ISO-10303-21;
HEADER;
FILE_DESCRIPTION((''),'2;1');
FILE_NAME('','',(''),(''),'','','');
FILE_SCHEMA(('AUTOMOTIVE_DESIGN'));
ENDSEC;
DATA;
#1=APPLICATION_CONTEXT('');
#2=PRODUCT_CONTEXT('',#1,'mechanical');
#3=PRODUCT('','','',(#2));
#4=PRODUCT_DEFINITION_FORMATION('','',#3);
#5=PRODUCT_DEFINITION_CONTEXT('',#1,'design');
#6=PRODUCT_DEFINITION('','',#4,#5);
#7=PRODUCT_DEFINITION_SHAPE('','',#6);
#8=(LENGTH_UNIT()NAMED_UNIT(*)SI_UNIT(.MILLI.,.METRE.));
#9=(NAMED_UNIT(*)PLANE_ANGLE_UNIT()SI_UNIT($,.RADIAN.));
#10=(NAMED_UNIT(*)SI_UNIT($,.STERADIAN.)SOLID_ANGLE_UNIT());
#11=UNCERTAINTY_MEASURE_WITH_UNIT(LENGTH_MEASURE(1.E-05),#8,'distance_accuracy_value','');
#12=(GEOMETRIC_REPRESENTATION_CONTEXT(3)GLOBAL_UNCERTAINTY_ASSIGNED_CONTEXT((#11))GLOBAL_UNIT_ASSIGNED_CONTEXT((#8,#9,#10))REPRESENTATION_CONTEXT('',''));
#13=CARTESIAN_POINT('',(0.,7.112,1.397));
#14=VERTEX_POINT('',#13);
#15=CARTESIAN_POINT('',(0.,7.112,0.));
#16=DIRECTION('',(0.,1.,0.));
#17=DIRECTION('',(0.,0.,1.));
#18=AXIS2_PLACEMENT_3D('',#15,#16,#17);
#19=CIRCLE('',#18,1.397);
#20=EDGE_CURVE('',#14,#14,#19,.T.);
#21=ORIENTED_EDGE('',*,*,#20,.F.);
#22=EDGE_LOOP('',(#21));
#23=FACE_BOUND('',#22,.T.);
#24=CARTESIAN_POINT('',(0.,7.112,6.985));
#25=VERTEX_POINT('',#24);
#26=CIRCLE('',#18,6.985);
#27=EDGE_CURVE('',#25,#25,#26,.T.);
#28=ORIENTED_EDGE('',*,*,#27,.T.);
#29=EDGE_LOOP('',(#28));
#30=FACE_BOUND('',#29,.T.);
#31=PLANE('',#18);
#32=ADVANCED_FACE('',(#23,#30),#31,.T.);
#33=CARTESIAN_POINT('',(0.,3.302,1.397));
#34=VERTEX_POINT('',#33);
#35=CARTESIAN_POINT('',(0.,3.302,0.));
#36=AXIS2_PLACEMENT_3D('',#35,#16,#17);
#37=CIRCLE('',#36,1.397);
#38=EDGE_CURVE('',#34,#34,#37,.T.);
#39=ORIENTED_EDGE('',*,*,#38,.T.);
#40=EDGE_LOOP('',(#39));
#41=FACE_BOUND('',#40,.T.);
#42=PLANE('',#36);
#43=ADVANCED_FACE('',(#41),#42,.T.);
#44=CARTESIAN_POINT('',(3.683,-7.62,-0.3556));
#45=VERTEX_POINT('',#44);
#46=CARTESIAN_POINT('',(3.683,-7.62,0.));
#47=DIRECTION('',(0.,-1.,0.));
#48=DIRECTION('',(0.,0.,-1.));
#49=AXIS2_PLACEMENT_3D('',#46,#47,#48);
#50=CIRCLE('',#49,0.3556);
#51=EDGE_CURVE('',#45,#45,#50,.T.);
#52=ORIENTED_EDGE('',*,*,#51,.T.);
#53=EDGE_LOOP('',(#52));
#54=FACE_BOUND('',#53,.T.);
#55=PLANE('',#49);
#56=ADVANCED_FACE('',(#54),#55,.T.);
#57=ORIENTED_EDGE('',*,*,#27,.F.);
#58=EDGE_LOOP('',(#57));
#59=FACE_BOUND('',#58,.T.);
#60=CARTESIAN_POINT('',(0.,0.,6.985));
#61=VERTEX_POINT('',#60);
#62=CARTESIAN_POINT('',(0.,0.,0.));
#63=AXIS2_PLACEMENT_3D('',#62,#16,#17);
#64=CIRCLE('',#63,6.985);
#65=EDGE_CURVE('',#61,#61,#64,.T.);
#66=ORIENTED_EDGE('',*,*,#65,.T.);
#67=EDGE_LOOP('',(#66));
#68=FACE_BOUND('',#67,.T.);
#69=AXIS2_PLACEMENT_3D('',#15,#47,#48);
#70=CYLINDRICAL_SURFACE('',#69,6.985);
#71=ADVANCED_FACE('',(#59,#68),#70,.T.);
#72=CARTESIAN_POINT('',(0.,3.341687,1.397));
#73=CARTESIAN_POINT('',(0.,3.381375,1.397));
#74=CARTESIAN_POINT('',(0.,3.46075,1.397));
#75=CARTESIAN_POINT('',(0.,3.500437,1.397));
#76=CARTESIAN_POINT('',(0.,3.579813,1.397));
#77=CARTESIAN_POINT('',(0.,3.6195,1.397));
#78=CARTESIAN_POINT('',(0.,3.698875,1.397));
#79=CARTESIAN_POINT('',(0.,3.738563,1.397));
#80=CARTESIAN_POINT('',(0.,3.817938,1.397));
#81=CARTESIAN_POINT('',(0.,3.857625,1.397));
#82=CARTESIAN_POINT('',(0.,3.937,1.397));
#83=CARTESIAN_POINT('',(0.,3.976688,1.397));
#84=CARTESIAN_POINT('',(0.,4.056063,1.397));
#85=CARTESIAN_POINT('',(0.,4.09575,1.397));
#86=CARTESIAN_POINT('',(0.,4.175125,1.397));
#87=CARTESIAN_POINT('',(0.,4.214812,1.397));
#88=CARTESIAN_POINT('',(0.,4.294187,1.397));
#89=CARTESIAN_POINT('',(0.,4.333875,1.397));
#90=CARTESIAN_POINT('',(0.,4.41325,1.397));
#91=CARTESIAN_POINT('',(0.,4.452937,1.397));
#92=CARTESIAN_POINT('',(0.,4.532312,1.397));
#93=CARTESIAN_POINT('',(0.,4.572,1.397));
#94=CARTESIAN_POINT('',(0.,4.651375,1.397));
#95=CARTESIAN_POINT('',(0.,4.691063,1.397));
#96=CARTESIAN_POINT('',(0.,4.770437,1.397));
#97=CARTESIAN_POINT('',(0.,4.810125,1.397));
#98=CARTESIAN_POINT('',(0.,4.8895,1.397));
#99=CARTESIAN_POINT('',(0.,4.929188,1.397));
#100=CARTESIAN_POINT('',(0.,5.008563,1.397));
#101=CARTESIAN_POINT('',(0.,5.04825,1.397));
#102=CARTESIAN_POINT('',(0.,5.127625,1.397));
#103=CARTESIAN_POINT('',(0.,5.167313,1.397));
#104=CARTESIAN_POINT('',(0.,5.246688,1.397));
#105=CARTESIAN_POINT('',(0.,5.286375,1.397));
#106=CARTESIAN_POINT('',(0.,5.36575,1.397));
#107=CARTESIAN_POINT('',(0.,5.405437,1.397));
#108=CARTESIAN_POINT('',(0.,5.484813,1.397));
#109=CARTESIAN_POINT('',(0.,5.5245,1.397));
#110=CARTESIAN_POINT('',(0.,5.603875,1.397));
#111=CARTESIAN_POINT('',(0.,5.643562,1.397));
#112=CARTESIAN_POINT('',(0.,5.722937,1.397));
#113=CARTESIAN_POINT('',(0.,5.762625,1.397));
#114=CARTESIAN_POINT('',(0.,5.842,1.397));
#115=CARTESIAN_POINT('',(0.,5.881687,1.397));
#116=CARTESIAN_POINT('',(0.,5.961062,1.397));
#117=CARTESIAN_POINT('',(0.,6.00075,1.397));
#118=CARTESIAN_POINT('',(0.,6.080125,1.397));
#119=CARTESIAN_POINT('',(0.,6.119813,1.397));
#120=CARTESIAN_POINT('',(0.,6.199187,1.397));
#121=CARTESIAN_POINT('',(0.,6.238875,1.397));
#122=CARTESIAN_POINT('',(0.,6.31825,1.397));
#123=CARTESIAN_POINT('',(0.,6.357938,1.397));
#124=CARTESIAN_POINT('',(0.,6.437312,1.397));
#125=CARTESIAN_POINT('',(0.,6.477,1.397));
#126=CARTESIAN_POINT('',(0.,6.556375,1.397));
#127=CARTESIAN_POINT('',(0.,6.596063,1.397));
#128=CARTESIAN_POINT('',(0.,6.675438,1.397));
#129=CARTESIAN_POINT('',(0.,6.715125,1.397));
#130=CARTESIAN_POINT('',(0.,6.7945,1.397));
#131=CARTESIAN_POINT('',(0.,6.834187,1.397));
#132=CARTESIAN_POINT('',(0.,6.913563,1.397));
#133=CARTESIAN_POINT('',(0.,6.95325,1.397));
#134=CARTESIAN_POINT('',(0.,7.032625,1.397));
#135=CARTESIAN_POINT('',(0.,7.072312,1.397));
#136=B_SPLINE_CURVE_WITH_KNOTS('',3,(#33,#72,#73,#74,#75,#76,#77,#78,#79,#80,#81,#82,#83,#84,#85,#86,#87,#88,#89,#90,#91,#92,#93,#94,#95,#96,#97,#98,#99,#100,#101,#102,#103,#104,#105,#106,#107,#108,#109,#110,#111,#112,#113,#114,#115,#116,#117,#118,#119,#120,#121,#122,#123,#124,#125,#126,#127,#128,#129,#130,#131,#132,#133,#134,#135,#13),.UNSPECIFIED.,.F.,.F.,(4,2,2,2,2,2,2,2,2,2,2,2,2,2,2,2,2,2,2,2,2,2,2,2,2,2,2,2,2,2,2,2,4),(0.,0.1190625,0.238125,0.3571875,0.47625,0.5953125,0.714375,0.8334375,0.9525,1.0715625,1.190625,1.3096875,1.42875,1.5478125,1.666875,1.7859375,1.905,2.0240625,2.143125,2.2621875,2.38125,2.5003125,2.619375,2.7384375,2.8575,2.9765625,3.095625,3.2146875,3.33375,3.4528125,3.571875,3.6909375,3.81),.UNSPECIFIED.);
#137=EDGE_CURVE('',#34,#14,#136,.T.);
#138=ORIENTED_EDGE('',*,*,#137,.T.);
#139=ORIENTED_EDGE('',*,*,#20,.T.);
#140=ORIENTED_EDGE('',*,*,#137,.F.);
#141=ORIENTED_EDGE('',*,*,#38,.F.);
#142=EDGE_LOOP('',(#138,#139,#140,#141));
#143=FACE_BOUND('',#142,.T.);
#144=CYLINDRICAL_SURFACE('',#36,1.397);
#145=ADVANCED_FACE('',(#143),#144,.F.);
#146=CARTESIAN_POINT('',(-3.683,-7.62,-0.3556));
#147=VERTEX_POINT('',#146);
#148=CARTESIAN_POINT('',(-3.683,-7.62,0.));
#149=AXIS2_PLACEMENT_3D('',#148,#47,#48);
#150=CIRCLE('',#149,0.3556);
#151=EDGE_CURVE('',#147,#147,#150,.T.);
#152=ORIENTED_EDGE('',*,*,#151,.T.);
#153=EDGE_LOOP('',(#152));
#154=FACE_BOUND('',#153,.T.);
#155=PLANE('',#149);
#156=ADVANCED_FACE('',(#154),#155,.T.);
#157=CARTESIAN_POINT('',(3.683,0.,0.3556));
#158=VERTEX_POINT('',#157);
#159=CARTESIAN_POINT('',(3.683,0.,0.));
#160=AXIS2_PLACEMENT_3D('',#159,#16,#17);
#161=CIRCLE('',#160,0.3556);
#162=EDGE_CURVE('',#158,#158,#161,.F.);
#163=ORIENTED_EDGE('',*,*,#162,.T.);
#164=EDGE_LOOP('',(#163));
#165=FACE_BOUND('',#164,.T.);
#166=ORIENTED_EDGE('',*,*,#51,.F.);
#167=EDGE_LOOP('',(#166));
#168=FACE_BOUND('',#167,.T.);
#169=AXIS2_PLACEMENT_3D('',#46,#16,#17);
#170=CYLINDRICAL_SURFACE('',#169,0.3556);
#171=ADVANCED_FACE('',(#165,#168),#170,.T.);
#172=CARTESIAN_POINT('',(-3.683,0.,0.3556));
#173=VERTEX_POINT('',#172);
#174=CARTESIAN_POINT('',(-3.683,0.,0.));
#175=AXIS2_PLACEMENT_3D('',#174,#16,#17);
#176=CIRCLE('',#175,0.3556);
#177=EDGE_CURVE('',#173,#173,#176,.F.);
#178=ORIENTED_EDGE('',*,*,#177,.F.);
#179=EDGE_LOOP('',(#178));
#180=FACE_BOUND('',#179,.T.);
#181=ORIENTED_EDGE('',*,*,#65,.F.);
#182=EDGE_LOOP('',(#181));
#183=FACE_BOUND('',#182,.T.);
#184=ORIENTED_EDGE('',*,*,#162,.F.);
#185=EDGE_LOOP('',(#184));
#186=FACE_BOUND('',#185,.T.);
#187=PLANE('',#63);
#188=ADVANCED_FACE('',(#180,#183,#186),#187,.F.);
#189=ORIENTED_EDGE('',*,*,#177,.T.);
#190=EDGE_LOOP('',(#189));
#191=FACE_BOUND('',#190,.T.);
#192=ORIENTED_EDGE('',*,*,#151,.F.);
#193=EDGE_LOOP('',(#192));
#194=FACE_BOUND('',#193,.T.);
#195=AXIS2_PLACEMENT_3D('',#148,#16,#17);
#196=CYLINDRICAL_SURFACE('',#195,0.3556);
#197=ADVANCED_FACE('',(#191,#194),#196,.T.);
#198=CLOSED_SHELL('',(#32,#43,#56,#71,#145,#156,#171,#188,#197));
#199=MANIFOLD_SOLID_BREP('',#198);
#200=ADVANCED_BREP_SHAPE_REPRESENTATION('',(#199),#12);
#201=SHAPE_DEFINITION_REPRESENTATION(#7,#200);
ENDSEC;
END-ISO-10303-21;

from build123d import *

# Parameters (mm, degrees)
SKETCH2_R      = 6.985
EXTRUDE1_DEPTH = 7.112
SKETCH3_R      = 0.3556
EXTRUDE2_DEPTH = 7.62
SKETCH4_R      = 1.397
EXTRUDE3_DEPTH = 3.81


with BuildPart() as part:
    # Sketch2 → Extrude1 (new body)
    with BuildSketch(Plane(origin=(0, 0, 0), x_dir=(1, 0, 0), z_dir=(0, 1, 0))):
        with Locations(Location((0, 0, 0), (0, 0, 270))):
            Circle(SKETCH2_R)
    extrude(amount=EXTRUDE1_DEPTH)

    # Sketch3 → Extrude2 (add)
    with BuildSketch(Plane.XZ):
        with Locations(Location((3.683, 0, 0), (0, 0, 90))):
            Circle(SKETCH3_R)
        with Locations(Location((-3.683, 0, 0), (0, 0, 90))):
            Circle(SKETCH3_R)
    extrude(amount=EXTRUDE2_DEPTH)

    # Sketch4 → Extrude3 (cut)
    with BuildSketch(Plane(origin=(0, 7.112, 0), x_dir=(1, 0, 0), z_dir=(0, 1, 0))):
        with Locations(Location((0, 0, 0), (0, 0, 270))):
            Circle(SKETCH4_R)
    extrude(amount=-EXTRUDE3_DEPTH, mode=Mode.SUBTRACT)


solid = part.part
